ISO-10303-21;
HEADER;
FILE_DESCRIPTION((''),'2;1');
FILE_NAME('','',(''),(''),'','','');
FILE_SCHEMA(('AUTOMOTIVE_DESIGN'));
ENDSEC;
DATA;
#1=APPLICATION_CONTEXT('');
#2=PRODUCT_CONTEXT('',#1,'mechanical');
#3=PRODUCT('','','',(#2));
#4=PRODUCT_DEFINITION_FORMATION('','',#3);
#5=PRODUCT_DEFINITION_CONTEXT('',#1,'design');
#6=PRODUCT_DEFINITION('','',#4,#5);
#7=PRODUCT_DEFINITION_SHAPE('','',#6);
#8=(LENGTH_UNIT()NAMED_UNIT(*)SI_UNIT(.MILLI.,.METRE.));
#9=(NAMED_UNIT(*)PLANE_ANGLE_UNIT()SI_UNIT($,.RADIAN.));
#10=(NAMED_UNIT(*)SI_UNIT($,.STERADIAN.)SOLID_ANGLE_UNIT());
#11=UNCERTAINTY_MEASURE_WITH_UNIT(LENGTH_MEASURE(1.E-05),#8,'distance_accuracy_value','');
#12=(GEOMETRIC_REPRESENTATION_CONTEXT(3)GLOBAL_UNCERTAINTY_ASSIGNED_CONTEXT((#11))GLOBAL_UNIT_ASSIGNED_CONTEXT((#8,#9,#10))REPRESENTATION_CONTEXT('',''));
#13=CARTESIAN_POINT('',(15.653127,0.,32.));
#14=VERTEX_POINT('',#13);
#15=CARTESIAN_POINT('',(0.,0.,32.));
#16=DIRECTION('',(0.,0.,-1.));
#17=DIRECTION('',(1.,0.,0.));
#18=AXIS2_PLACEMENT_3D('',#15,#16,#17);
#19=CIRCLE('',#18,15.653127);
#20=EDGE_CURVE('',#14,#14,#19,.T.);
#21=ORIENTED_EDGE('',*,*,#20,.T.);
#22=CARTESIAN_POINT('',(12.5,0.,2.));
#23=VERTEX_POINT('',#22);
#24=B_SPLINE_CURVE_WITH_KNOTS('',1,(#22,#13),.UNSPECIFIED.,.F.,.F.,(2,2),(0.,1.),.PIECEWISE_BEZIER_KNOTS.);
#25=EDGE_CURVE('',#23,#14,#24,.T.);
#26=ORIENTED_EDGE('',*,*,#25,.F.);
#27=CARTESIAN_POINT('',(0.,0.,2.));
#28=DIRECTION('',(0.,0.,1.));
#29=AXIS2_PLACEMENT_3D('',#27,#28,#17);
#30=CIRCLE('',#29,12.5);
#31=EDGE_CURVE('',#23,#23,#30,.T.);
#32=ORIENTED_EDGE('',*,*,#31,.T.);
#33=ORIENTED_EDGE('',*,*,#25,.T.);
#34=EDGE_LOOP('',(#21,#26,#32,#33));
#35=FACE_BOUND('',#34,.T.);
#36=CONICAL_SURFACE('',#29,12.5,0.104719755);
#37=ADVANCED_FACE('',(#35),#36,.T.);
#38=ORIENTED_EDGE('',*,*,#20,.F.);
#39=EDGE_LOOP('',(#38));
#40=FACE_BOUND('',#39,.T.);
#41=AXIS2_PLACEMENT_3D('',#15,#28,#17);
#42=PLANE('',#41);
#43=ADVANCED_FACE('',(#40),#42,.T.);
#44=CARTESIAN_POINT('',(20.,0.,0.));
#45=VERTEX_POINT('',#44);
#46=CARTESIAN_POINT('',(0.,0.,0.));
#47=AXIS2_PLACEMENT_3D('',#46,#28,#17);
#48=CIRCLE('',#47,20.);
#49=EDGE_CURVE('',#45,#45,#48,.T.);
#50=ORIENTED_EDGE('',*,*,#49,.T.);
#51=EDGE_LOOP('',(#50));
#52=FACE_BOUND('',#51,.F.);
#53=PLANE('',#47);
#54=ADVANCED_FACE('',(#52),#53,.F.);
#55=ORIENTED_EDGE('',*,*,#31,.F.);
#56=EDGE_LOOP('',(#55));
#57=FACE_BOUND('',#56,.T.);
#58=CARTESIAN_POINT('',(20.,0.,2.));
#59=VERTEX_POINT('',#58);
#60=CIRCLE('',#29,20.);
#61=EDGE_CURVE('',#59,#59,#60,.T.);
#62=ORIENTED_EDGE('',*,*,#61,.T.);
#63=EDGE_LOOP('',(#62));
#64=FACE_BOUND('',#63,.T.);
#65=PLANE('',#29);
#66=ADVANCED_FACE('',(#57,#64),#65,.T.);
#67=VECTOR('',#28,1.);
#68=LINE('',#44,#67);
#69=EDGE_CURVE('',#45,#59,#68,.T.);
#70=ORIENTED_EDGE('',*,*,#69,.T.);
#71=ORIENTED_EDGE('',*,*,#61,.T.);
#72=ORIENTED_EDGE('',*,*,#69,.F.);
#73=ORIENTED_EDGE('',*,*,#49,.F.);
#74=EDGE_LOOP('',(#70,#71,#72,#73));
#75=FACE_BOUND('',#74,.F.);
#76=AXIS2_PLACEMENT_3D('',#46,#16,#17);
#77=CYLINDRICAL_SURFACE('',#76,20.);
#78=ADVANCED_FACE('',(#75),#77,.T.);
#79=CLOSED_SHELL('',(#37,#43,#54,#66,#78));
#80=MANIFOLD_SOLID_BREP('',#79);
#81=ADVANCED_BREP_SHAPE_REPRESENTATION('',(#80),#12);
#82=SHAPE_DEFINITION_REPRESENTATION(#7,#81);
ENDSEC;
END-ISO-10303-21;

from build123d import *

# Parameters (mm, degrees)
F0_R     = 20
F1_DEPTH = 2
F2_R     = 12.5
F3_DEPTH = 30
F3_TAPER = -6


with BuildPart() as f1:
    # F0 (on Top) → F1 (new body)
    with BuildSketch(Plane.XY):
        Circle(F0_R)
    extrude(amount=F1_DEPTH)

    # F2 (on face) → F3 (join)
    with BuildSketch(Plane.XY.offset(2)):
        Circle(F2_R)
    extrude(amount=F3_DEPTH, taper=F3_TAPER)


solid = f1.part
